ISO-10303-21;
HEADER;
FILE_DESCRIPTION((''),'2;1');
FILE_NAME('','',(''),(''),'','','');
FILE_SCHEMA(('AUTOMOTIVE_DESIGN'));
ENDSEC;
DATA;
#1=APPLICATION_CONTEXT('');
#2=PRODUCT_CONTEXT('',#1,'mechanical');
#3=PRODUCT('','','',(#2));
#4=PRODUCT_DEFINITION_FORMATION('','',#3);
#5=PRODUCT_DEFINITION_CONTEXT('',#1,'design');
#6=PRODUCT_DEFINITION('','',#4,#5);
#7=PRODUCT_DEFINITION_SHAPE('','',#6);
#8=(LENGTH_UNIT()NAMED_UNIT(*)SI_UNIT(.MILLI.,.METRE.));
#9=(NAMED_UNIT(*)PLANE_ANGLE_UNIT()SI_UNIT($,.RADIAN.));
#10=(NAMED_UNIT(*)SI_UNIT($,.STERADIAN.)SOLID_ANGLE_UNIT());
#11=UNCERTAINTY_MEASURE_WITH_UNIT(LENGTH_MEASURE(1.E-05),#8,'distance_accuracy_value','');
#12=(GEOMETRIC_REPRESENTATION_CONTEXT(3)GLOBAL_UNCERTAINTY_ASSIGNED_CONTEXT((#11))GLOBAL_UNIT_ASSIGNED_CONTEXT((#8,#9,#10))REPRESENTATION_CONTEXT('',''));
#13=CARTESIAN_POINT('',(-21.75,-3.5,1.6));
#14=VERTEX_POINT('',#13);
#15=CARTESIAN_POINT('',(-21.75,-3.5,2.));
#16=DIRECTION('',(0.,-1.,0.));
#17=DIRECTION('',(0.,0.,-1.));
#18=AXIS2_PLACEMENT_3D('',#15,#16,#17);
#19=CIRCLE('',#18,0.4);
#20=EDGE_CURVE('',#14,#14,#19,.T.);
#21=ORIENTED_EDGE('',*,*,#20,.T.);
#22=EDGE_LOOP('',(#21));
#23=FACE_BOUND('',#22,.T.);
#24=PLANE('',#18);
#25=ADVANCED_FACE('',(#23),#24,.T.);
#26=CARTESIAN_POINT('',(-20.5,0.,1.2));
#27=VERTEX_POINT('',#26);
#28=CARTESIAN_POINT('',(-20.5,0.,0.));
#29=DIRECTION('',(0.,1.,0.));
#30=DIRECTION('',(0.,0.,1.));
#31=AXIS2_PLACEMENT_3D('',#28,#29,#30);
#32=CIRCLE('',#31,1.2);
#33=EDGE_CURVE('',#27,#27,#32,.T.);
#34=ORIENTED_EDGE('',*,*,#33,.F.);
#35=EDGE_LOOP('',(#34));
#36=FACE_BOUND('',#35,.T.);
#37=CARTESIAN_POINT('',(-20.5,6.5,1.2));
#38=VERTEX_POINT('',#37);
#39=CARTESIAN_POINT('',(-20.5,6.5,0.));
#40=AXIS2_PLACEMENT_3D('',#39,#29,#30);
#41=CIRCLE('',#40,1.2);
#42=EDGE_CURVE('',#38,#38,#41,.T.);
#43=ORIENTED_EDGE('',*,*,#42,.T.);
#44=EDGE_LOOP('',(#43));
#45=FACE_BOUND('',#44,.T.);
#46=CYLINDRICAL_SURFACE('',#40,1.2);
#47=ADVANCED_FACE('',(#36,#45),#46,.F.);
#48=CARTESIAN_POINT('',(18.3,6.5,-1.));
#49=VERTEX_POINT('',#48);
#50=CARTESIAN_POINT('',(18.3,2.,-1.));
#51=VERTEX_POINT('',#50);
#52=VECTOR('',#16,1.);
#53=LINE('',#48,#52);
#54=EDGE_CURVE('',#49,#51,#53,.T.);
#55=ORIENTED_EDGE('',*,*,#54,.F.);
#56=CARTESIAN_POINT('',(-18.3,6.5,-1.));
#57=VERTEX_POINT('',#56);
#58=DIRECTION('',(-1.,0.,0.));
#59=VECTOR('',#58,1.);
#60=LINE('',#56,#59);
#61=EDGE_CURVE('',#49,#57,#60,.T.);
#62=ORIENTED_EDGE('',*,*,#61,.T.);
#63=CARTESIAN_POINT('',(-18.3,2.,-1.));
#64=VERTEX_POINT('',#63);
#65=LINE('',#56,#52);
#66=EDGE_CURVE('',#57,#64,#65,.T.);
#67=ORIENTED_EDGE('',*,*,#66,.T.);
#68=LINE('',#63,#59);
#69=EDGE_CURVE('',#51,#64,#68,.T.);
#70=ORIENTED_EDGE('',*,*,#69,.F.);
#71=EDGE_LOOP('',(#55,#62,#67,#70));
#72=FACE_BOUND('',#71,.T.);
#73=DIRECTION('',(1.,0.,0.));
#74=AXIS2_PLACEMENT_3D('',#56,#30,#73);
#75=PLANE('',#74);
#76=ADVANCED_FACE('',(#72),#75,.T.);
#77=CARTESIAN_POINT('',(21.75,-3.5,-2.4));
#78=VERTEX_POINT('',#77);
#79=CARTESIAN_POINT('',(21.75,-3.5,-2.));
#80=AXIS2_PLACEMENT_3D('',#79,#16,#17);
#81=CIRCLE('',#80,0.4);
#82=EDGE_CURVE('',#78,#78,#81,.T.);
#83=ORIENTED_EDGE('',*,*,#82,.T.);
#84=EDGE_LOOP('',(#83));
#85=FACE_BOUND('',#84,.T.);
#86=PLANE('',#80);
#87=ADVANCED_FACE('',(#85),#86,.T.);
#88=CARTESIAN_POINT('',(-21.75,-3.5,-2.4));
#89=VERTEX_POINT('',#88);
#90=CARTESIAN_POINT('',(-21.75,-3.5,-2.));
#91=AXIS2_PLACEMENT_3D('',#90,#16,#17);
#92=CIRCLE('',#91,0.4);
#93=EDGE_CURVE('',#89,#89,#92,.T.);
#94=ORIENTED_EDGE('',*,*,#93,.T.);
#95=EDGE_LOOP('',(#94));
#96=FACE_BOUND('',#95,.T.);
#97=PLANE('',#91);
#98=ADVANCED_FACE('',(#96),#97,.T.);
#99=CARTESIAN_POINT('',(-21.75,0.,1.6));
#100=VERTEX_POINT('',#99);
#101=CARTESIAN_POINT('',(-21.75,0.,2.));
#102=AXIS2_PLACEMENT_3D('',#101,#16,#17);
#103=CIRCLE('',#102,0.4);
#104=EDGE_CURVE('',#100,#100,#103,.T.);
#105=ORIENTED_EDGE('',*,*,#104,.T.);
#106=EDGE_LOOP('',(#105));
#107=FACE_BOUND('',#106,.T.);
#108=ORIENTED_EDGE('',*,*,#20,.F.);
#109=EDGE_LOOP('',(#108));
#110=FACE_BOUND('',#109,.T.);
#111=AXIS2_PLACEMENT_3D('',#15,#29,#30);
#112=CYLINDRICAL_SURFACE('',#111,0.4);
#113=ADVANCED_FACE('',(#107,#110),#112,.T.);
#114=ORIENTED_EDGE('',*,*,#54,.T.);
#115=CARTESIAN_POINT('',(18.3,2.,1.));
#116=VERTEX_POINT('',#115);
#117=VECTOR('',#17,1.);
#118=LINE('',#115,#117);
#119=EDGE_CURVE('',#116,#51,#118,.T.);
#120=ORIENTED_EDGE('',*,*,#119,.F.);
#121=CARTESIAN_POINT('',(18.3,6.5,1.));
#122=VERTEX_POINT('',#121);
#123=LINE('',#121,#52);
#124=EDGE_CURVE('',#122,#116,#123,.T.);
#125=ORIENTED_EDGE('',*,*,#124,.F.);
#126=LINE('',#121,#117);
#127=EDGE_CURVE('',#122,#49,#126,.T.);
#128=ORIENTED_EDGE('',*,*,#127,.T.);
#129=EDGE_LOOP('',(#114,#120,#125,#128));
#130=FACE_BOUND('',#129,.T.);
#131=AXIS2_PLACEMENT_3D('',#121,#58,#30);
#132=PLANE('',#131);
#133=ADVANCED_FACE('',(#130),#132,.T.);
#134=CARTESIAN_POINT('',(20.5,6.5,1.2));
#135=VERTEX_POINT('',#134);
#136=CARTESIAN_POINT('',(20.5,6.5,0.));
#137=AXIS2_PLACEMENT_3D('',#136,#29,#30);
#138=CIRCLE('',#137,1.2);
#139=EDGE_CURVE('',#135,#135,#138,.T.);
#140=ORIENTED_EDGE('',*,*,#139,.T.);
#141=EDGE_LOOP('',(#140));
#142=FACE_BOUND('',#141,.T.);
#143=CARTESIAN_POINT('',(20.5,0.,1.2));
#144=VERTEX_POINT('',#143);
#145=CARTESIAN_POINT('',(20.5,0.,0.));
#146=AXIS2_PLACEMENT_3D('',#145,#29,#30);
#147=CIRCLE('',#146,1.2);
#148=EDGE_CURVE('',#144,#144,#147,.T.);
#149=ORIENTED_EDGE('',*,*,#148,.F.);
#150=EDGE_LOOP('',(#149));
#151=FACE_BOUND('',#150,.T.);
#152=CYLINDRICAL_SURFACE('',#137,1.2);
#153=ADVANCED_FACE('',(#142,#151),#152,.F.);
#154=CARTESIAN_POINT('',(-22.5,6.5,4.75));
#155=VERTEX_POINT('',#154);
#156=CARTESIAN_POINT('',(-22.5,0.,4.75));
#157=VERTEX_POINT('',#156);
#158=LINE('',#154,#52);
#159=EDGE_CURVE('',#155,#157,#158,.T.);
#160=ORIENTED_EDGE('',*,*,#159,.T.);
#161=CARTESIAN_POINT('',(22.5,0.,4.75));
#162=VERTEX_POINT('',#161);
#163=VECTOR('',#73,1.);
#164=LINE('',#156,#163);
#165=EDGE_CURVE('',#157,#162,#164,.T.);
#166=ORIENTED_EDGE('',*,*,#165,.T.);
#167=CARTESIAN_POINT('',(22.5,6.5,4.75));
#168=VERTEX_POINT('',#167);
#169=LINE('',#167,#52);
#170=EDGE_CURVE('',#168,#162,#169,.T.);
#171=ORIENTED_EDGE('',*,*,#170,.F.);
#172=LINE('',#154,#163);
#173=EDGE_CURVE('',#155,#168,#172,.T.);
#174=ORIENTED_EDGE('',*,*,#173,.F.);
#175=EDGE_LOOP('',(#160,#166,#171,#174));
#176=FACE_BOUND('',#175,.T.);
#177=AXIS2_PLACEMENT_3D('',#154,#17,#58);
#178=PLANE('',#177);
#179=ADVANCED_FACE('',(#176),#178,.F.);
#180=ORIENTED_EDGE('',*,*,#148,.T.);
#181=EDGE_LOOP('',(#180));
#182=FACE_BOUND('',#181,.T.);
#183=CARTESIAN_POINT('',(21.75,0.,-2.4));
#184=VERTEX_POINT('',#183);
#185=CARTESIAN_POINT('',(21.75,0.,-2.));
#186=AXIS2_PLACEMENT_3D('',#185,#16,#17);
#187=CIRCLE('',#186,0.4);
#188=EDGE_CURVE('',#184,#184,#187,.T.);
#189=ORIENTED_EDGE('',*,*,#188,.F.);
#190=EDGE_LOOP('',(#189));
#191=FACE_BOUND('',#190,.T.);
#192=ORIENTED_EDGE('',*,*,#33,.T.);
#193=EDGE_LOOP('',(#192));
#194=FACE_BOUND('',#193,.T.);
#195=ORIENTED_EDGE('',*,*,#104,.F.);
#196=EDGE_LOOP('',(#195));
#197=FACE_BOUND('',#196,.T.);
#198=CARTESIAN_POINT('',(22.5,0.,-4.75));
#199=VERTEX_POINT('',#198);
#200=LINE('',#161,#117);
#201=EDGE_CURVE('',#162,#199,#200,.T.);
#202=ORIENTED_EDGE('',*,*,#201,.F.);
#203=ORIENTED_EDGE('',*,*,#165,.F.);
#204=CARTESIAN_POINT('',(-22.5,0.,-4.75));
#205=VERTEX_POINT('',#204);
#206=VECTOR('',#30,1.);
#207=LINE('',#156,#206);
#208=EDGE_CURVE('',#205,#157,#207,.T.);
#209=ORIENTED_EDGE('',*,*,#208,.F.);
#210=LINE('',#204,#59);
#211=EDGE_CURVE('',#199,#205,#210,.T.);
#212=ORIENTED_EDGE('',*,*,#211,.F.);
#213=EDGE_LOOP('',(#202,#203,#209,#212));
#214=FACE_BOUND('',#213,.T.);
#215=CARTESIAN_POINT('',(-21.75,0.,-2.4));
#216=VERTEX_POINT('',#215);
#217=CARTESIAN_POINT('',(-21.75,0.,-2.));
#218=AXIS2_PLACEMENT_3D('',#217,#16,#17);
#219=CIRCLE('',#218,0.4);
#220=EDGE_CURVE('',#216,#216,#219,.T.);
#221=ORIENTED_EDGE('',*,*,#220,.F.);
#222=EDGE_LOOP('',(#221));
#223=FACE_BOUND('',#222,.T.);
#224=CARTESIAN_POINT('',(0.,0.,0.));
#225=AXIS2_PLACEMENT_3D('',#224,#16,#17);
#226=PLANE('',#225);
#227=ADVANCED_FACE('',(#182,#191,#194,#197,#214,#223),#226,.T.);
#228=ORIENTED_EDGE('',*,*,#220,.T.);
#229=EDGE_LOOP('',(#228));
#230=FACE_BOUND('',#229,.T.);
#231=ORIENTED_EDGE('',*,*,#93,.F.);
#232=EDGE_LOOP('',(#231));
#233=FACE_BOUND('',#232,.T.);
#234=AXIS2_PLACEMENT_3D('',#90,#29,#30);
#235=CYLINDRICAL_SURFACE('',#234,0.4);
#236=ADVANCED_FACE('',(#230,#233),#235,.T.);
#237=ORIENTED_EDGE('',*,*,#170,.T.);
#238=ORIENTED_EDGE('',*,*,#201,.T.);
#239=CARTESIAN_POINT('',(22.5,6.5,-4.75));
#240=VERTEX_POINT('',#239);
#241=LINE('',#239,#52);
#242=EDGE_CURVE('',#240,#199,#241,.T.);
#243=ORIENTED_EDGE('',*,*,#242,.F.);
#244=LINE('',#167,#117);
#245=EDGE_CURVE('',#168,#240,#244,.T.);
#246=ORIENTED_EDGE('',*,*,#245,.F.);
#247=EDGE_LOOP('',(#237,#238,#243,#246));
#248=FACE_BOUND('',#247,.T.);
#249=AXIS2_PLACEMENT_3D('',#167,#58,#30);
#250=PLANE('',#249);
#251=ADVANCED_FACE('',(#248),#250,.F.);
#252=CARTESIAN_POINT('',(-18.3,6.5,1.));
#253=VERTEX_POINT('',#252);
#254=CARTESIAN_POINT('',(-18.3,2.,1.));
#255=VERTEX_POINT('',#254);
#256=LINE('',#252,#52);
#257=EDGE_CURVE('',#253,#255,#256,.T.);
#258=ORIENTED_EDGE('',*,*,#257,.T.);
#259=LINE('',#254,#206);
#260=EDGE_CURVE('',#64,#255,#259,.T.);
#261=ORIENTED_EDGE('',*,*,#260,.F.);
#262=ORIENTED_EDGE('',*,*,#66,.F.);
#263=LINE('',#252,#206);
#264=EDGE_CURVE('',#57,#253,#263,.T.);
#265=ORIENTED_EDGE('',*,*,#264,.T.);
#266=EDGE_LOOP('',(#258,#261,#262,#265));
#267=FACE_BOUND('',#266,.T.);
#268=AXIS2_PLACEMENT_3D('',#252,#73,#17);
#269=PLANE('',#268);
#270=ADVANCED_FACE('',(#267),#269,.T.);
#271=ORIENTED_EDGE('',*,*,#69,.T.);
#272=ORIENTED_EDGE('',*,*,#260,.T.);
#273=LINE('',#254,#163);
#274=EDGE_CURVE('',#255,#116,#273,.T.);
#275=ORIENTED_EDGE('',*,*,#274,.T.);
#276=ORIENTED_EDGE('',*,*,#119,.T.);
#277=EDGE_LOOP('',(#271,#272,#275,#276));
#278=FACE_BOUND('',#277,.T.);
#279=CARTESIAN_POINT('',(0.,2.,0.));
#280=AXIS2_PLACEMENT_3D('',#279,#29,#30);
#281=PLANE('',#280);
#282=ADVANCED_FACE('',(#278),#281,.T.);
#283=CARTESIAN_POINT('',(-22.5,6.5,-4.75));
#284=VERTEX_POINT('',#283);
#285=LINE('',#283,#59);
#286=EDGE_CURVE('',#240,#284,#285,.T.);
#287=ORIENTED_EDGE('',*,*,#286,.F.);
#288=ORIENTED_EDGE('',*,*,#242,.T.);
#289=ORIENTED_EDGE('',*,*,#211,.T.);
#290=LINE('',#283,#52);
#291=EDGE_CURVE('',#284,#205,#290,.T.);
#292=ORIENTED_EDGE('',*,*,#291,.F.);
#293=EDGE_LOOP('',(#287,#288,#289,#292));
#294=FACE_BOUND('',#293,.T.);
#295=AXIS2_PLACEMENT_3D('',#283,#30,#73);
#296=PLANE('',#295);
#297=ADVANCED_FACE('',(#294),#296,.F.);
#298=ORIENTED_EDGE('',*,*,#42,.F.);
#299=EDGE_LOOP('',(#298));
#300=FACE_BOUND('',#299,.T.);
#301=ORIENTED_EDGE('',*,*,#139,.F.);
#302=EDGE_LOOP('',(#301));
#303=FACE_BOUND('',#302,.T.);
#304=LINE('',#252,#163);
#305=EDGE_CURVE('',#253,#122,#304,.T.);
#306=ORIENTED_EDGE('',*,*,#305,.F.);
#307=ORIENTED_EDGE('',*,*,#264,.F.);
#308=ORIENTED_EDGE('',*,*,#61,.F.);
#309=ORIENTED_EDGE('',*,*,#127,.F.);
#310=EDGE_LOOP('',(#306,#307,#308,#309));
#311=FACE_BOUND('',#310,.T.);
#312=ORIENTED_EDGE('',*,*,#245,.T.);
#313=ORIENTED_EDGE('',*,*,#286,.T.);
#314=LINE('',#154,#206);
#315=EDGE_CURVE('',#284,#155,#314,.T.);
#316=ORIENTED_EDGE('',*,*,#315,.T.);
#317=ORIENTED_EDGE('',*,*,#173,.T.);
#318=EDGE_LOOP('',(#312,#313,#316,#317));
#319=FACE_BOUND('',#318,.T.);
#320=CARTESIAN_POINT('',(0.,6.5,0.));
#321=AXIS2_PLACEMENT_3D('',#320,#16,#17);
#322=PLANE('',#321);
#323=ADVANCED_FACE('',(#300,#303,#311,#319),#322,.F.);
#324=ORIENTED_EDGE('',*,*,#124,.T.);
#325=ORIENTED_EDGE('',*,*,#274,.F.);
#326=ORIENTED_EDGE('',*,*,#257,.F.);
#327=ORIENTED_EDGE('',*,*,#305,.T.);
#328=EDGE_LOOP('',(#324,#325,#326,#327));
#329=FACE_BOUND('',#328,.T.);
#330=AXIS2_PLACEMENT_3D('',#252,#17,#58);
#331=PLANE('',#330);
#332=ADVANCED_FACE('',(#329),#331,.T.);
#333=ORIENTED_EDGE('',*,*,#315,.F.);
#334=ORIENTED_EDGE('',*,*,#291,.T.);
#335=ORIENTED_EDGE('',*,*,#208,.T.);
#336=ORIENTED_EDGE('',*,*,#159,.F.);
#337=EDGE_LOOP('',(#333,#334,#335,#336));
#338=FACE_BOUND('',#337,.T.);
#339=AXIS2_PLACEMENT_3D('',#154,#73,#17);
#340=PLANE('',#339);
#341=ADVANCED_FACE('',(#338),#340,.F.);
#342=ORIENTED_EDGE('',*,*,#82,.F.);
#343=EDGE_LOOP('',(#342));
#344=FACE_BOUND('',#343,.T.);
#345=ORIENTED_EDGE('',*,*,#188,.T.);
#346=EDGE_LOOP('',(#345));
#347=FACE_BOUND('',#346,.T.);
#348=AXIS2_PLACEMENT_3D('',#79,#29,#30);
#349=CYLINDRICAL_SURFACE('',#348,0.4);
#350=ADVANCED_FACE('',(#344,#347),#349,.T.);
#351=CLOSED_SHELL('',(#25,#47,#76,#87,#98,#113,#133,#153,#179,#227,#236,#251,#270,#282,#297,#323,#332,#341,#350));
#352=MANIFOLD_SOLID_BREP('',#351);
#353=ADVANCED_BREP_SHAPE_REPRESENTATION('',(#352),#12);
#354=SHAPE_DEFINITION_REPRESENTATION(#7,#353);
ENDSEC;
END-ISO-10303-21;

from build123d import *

# Parameters (mm, degrees)
SKETCH1_W            = 45
SKETCH1_H            = 9.5
SKETCH1_W_2          = 36.6
SKETCH1_H_2          = 2
BOSS_EXTRUDE1_DEPTH  = 6.5
SKETCH2_W            = 45
SKETCH2_H            = 9.5
BOSS_EXTRUDE2_DEPTH  = 2
M2_CLEARANCE_HOLE1_D = 2.4
SKETCH5_R            = 0.4
BOSS_EXTRUDE3_DEPTH  = 3.5


with BuildPart() as part:
    # Sketch1 → Boss-Extrude1 (new body)
    with BuildSketch(Plane(origin=(0, 0, 0), x_dir=(1, 0, 0), z_dir=(0, 1, 0))):
        Rectangle(SKETCH1_W, SKETCH1_H)
        Rectangle(SKETCH1_W_2, SKETCH1_H_2, mode=Mode.SUBTRACT)
    extrude(amount=BOSS_EXTRUDE1_DEPTH)

    # Sketch2 → Boss-Extrude2 (add)
    with BuildSketch(Plane.XZ):
        Rectangle(SKETCH2_W, SKETCH2_H)
    extrude(amount=-BOSS_EXTRUDE2_DEPTH)

    # M2 Clearance Hole1 (through all)
    with Locations(Plane(origin=(0, 6.5, 0), x_dir=(1, 0, 0), z_dir=(0, 1, 0))):
        with Locations((20.5, 0), (-20.5, 0)):
            Hole(M2_CLEARANCE_HOLE1_D / 2)

    # Sketch5 → Boss-Extrude3 (add)
    with BuildSketch(Plane.XZ):
        with Locations(Location((-21.75, 2, 0), (0, 0, 270))):
            Circle(SKETCH5_R)
        with Locations(Location((-21.75, -2, 0), (0, 0, 270))):
            Circle(SKETCH5_R)
        with Locations(Location((21.75, -2, 0), (0, 0, 270))):
            Circle(SKETCH5_R)
    extrude(amount=BOSS_EXTRUDE3_DEPTH)


solid = part.part
